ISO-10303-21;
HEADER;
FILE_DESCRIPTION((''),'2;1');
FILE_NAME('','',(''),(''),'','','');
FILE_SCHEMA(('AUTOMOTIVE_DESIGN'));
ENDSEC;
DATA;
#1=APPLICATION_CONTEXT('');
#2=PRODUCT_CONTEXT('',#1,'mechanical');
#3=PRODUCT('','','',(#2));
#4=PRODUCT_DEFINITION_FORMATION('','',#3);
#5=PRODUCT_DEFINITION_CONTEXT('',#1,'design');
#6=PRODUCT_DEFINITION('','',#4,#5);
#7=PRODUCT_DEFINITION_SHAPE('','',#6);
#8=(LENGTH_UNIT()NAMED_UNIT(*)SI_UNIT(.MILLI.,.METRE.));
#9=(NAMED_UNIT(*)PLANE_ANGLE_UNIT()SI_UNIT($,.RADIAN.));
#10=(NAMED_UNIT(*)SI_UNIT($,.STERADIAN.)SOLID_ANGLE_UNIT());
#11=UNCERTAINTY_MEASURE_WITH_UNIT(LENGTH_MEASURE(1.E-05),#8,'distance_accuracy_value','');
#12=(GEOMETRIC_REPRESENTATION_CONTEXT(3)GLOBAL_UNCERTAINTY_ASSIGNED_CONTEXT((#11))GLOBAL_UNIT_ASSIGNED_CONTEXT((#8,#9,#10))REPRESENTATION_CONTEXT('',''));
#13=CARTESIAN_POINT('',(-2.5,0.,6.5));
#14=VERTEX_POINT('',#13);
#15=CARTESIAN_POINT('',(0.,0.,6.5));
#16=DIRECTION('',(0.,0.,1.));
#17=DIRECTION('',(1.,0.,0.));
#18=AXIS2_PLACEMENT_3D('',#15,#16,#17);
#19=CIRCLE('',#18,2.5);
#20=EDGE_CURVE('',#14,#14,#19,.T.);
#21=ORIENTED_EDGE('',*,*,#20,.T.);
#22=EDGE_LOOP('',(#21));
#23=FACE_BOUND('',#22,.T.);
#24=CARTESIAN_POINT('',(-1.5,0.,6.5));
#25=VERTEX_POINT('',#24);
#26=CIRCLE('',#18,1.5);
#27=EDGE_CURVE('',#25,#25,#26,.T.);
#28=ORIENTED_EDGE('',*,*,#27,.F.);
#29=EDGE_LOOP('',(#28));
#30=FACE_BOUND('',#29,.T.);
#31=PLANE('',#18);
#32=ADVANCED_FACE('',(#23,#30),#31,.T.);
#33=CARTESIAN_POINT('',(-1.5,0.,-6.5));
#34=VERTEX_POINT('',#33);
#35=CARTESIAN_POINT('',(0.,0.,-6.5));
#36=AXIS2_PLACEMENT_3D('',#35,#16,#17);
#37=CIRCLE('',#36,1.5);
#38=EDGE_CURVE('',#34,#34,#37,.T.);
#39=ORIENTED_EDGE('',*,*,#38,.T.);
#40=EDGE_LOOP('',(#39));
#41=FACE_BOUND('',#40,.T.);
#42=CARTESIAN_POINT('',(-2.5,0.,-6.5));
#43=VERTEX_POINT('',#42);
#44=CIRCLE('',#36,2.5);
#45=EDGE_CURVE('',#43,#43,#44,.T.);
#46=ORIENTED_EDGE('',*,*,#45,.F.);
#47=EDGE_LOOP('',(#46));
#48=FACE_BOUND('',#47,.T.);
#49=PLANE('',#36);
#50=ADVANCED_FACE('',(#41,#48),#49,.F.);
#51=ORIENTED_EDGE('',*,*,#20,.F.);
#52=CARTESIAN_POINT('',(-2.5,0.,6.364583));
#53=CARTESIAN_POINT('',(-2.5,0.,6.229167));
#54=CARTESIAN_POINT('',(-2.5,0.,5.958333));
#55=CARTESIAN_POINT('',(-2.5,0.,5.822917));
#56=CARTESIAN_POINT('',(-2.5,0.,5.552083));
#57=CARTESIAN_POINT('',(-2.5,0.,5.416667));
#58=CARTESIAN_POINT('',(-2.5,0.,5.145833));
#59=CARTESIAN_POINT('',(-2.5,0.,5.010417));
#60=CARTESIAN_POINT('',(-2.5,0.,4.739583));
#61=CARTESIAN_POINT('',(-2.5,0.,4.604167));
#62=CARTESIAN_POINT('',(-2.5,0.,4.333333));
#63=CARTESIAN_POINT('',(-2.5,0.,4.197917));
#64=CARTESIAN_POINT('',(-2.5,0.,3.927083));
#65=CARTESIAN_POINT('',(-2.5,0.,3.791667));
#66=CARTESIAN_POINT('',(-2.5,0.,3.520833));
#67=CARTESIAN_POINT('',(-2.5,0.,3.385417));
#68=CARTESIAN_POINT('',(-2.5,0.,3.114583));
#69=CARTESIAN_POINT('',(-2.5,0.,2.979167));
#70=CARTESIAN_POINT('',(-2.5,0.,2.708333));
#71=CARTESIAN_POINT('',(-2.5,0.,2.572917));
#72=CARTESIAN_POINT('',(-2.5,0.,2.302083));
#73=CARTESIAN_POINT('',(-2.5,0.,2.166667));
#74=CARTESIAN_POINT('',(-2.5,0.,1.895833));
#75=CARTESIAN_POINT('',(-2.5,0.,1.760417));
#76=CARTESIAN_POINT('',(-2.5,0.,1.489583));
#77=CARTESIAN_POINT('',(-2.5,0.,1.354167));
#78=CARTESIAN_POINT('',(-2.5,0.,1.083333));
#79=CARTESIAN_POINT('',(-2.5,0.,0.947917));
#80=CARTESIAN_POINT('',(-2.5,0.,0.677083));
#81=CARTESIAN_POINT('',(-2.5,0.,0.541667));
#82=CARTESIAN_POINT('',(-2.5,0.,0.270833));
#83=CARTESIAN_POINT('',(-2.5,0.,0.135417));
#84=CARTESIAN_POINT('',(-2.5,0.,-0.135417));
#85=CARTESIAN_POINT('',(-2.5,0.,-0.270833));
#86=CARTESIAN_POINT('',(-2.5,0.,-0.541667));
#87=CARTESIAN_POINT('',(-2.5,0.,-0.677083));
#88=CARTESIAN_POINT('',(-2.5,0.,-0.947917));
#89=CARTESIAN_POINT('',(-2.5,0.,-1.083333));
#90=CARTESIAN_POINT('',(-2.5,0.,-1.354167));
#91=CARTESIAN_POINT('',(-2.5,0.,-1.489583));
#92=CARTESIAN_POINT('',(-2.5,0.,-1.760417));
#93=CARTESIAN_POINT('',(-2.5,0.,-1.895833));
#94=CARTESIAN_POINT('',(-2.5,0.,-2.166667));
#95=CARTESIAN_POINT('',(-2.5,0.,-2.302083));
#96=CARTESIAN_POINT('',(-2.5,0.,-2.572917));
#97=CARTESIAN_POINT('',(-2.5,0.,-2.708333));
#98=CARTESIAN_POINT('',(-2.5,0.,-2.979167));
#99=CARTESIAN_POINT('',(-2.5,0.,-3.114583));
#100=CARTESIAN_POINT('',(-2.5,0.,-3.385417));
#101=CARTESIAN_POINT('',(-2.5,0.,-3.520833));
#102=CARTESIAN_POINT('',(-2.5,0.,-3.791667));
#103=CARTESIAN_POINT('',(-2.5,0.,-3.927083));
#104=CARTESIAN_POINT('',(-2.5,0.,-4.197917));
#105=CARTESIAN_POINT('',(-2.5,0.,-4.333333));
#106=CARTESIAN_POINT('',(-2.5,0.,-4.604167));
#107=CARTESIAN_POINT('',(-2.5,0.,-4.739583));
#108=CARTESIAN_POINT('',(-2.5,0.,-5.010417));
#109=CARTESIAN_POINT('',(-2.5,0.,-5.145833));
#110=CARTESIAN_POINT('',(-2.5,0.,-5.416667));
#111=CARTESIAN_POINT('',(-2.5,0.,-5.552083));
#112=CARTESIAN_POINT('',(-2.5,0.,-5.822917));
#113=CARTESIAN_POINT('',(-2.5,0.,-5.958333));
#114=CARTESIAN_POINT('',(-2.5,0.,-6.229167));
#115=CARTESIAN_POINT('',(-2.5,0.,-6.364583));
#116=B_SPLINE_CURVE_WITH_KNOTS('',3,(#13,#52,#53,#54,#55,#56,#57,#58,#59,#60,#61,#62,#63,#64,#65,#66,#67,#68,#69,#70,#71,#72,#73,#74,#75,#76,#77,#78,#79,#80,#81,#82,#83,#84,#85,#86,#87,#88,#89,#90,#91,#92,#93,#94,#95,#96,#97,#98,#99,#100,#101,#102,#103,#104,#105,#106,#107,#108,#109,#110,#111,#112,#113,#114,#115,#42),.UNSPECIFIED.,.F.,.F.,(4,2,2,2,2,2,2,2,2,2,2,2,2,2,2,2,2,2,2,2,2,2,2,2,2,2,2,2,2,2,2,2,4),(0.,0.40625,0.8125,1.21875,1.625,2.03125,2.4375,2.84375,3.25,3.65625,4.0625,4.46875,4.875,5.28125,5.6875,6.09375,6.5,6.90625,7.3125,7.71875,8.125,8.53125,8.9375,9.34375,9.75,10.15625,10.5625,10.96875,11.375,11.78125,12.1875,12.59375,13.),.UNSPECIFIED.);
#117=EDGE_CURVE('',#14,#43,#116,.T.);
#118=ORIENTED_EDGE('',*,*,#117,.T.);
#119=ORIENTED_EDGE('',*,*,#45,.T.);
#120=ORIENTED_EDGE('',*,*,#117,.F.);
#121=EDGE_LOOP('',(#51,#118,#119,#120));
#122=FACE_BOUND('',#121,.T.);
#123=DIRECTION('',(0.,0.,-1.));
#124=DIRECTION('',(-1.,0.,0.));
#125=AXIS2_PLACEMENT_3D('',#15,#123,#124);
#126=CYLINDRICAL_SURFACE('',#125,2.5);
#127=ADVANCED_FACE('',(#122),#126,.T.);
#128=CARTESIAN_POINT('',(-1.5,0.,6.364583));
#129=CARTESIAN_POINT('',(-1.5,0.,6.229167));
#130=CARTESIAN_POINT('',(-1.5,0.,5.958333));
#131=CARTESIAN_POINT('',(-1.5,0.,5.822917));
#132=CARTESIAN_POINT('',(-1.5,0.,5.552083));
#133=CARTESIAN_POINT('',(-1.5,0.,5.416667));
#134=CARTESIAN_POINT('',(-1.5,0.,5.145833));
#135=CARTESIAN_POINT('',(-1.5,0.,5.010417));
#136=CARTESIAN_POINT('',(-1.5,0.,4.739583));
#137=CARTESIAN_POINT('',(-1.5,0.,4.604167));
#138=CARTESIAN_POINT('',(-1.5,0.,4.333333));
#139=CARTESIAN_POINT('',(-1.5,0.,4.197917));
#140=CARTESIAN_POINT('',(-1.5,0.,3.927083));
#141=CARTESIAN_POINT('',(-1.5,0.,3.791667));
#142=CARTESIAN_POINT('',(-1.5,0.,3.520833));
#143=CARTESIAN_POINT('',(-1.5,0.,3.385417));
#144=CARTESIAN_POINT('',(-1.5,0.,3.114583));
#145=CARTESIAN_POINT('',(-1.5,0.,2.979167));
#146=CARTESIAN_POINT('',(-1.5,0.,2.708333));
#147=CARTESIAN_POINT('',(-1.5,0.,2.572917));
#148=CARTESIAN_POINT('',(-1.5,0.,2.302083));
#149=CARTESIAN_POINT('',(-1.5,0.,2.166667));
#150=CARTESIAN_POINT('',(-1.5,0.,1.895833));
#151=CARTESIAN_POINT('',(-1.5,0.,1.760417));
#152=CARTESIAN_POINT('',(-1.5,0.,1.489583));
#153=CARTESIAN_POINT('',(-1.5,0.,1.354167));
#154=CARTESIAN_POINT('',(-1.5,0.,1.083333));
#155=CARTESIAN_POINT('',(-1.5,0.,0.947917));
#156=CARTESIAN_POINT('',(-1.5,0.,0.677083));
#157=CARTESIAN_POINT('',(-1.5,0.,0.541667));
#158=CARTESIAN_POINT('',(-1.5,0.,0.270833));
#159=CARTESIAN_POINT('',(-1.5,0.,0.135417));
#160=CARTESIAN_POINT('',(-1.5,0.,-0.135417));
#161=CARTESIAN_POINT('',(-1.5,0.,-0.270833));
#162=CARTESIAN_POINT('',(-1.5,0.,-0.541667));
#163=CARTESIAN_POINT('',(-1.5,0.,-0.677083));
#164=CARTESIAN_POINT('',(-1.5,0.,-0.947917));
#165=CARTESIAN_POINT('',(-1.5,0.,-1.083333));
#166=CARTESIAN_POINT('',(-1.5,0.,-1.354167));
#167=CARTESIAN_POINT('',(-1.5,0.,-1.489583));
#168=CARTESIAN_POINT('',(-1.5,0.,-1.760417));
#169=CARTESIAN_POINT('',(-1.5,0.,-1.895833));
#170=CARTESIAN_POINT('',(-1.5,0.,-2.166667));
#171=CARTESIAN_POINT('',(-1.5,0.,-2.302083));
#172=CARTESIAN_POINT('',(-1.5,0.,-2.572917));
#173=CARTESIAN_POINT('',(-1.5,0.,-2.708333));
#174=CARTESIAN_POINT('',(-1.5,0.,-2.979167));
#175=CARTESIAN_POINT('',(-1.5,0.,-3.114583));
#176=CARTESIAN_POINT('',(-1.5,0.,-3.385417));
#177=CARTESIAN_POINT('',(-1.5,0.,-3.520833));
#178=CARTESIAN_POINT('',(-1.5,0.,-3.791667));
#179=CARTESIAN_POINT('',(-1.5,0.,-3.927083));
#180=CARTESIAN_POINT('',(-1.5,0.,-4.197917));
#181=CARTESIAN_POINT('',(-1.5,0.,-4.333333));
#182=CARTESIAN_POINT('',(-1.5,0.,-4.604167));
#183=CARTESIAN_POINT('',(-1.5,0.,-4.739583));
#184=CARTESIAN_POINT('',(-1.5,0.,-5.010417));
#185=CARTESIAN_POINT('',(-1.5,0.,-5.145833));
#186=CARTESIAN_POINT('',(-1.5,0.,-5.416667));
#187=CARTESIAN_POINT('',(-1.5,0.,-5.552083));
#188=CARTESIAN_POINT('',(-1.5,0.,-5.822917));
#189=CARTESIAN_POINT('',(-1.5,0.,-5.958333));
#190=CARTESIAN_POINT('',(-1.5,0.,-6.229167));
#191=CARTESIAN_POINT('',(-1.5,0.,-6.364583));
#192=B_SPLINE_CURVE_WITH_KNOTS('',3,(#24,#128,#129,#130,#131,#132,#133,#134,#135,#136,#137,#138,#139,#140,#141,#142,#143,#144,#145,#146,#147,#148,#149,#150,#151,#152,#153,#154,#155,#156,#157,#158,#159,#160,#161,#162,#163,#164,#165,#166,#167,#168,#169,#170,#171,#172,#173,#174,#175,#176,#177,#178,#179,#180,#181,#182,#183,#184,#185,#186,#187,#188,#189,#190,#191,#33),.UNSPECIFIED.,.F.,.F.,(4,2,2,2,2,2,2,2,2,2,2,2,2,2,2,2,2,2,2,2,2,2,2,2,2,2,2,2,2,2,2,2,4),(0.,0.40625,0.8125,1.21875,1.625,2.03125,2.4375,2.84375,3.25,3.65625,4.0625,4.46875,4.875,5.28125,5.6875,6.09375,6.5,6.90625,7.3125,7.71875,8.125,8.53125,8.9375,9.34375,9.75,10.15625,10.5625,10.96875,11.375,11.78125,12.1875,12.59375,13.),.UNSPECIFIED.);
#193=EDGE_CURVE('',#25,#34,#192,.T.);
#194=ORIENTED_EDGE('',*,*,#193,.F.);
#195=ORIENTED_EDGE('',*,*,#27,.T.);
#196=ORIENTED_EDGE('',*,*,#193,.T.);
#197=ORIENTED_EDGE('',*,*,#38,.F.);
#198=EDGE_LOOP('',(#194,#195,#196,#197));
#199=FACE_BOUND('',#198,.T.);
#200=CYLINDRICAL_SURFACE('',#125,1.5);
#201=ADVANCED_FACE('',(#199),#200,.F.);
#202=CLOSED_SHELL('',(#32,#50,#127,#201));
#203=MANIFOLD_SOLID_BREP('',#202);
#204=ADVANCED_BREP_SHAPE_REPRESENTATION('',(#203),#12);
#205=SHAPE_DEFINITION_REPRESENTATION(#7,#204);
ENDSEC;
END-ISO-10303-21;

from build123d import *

# Parameters (mm, degrees)
SKETCH_1_R      = 2.5
SKETCH_1_R_2    = 1.5
EXTRUDE_1_DEPTH = 6.5


with BuildPart() as part:
    # 草图1 → 凸台-拉伸1 (new, symmetric)
    with BuildSketch(Plane.XY):
        with Locations(Location((0, 0, 0), (0, 0, 180))):
            Circle(SKETCH_1_R)
        with Locations(Location((0, 0, 0), (0, 0, 180))):
            Circle(SKETCH_1_R_2, mode=Mode.SUBTRACT)
    extrude(amount=EXTRUDE_1_DEPTH, both=True)


solid = part.part
